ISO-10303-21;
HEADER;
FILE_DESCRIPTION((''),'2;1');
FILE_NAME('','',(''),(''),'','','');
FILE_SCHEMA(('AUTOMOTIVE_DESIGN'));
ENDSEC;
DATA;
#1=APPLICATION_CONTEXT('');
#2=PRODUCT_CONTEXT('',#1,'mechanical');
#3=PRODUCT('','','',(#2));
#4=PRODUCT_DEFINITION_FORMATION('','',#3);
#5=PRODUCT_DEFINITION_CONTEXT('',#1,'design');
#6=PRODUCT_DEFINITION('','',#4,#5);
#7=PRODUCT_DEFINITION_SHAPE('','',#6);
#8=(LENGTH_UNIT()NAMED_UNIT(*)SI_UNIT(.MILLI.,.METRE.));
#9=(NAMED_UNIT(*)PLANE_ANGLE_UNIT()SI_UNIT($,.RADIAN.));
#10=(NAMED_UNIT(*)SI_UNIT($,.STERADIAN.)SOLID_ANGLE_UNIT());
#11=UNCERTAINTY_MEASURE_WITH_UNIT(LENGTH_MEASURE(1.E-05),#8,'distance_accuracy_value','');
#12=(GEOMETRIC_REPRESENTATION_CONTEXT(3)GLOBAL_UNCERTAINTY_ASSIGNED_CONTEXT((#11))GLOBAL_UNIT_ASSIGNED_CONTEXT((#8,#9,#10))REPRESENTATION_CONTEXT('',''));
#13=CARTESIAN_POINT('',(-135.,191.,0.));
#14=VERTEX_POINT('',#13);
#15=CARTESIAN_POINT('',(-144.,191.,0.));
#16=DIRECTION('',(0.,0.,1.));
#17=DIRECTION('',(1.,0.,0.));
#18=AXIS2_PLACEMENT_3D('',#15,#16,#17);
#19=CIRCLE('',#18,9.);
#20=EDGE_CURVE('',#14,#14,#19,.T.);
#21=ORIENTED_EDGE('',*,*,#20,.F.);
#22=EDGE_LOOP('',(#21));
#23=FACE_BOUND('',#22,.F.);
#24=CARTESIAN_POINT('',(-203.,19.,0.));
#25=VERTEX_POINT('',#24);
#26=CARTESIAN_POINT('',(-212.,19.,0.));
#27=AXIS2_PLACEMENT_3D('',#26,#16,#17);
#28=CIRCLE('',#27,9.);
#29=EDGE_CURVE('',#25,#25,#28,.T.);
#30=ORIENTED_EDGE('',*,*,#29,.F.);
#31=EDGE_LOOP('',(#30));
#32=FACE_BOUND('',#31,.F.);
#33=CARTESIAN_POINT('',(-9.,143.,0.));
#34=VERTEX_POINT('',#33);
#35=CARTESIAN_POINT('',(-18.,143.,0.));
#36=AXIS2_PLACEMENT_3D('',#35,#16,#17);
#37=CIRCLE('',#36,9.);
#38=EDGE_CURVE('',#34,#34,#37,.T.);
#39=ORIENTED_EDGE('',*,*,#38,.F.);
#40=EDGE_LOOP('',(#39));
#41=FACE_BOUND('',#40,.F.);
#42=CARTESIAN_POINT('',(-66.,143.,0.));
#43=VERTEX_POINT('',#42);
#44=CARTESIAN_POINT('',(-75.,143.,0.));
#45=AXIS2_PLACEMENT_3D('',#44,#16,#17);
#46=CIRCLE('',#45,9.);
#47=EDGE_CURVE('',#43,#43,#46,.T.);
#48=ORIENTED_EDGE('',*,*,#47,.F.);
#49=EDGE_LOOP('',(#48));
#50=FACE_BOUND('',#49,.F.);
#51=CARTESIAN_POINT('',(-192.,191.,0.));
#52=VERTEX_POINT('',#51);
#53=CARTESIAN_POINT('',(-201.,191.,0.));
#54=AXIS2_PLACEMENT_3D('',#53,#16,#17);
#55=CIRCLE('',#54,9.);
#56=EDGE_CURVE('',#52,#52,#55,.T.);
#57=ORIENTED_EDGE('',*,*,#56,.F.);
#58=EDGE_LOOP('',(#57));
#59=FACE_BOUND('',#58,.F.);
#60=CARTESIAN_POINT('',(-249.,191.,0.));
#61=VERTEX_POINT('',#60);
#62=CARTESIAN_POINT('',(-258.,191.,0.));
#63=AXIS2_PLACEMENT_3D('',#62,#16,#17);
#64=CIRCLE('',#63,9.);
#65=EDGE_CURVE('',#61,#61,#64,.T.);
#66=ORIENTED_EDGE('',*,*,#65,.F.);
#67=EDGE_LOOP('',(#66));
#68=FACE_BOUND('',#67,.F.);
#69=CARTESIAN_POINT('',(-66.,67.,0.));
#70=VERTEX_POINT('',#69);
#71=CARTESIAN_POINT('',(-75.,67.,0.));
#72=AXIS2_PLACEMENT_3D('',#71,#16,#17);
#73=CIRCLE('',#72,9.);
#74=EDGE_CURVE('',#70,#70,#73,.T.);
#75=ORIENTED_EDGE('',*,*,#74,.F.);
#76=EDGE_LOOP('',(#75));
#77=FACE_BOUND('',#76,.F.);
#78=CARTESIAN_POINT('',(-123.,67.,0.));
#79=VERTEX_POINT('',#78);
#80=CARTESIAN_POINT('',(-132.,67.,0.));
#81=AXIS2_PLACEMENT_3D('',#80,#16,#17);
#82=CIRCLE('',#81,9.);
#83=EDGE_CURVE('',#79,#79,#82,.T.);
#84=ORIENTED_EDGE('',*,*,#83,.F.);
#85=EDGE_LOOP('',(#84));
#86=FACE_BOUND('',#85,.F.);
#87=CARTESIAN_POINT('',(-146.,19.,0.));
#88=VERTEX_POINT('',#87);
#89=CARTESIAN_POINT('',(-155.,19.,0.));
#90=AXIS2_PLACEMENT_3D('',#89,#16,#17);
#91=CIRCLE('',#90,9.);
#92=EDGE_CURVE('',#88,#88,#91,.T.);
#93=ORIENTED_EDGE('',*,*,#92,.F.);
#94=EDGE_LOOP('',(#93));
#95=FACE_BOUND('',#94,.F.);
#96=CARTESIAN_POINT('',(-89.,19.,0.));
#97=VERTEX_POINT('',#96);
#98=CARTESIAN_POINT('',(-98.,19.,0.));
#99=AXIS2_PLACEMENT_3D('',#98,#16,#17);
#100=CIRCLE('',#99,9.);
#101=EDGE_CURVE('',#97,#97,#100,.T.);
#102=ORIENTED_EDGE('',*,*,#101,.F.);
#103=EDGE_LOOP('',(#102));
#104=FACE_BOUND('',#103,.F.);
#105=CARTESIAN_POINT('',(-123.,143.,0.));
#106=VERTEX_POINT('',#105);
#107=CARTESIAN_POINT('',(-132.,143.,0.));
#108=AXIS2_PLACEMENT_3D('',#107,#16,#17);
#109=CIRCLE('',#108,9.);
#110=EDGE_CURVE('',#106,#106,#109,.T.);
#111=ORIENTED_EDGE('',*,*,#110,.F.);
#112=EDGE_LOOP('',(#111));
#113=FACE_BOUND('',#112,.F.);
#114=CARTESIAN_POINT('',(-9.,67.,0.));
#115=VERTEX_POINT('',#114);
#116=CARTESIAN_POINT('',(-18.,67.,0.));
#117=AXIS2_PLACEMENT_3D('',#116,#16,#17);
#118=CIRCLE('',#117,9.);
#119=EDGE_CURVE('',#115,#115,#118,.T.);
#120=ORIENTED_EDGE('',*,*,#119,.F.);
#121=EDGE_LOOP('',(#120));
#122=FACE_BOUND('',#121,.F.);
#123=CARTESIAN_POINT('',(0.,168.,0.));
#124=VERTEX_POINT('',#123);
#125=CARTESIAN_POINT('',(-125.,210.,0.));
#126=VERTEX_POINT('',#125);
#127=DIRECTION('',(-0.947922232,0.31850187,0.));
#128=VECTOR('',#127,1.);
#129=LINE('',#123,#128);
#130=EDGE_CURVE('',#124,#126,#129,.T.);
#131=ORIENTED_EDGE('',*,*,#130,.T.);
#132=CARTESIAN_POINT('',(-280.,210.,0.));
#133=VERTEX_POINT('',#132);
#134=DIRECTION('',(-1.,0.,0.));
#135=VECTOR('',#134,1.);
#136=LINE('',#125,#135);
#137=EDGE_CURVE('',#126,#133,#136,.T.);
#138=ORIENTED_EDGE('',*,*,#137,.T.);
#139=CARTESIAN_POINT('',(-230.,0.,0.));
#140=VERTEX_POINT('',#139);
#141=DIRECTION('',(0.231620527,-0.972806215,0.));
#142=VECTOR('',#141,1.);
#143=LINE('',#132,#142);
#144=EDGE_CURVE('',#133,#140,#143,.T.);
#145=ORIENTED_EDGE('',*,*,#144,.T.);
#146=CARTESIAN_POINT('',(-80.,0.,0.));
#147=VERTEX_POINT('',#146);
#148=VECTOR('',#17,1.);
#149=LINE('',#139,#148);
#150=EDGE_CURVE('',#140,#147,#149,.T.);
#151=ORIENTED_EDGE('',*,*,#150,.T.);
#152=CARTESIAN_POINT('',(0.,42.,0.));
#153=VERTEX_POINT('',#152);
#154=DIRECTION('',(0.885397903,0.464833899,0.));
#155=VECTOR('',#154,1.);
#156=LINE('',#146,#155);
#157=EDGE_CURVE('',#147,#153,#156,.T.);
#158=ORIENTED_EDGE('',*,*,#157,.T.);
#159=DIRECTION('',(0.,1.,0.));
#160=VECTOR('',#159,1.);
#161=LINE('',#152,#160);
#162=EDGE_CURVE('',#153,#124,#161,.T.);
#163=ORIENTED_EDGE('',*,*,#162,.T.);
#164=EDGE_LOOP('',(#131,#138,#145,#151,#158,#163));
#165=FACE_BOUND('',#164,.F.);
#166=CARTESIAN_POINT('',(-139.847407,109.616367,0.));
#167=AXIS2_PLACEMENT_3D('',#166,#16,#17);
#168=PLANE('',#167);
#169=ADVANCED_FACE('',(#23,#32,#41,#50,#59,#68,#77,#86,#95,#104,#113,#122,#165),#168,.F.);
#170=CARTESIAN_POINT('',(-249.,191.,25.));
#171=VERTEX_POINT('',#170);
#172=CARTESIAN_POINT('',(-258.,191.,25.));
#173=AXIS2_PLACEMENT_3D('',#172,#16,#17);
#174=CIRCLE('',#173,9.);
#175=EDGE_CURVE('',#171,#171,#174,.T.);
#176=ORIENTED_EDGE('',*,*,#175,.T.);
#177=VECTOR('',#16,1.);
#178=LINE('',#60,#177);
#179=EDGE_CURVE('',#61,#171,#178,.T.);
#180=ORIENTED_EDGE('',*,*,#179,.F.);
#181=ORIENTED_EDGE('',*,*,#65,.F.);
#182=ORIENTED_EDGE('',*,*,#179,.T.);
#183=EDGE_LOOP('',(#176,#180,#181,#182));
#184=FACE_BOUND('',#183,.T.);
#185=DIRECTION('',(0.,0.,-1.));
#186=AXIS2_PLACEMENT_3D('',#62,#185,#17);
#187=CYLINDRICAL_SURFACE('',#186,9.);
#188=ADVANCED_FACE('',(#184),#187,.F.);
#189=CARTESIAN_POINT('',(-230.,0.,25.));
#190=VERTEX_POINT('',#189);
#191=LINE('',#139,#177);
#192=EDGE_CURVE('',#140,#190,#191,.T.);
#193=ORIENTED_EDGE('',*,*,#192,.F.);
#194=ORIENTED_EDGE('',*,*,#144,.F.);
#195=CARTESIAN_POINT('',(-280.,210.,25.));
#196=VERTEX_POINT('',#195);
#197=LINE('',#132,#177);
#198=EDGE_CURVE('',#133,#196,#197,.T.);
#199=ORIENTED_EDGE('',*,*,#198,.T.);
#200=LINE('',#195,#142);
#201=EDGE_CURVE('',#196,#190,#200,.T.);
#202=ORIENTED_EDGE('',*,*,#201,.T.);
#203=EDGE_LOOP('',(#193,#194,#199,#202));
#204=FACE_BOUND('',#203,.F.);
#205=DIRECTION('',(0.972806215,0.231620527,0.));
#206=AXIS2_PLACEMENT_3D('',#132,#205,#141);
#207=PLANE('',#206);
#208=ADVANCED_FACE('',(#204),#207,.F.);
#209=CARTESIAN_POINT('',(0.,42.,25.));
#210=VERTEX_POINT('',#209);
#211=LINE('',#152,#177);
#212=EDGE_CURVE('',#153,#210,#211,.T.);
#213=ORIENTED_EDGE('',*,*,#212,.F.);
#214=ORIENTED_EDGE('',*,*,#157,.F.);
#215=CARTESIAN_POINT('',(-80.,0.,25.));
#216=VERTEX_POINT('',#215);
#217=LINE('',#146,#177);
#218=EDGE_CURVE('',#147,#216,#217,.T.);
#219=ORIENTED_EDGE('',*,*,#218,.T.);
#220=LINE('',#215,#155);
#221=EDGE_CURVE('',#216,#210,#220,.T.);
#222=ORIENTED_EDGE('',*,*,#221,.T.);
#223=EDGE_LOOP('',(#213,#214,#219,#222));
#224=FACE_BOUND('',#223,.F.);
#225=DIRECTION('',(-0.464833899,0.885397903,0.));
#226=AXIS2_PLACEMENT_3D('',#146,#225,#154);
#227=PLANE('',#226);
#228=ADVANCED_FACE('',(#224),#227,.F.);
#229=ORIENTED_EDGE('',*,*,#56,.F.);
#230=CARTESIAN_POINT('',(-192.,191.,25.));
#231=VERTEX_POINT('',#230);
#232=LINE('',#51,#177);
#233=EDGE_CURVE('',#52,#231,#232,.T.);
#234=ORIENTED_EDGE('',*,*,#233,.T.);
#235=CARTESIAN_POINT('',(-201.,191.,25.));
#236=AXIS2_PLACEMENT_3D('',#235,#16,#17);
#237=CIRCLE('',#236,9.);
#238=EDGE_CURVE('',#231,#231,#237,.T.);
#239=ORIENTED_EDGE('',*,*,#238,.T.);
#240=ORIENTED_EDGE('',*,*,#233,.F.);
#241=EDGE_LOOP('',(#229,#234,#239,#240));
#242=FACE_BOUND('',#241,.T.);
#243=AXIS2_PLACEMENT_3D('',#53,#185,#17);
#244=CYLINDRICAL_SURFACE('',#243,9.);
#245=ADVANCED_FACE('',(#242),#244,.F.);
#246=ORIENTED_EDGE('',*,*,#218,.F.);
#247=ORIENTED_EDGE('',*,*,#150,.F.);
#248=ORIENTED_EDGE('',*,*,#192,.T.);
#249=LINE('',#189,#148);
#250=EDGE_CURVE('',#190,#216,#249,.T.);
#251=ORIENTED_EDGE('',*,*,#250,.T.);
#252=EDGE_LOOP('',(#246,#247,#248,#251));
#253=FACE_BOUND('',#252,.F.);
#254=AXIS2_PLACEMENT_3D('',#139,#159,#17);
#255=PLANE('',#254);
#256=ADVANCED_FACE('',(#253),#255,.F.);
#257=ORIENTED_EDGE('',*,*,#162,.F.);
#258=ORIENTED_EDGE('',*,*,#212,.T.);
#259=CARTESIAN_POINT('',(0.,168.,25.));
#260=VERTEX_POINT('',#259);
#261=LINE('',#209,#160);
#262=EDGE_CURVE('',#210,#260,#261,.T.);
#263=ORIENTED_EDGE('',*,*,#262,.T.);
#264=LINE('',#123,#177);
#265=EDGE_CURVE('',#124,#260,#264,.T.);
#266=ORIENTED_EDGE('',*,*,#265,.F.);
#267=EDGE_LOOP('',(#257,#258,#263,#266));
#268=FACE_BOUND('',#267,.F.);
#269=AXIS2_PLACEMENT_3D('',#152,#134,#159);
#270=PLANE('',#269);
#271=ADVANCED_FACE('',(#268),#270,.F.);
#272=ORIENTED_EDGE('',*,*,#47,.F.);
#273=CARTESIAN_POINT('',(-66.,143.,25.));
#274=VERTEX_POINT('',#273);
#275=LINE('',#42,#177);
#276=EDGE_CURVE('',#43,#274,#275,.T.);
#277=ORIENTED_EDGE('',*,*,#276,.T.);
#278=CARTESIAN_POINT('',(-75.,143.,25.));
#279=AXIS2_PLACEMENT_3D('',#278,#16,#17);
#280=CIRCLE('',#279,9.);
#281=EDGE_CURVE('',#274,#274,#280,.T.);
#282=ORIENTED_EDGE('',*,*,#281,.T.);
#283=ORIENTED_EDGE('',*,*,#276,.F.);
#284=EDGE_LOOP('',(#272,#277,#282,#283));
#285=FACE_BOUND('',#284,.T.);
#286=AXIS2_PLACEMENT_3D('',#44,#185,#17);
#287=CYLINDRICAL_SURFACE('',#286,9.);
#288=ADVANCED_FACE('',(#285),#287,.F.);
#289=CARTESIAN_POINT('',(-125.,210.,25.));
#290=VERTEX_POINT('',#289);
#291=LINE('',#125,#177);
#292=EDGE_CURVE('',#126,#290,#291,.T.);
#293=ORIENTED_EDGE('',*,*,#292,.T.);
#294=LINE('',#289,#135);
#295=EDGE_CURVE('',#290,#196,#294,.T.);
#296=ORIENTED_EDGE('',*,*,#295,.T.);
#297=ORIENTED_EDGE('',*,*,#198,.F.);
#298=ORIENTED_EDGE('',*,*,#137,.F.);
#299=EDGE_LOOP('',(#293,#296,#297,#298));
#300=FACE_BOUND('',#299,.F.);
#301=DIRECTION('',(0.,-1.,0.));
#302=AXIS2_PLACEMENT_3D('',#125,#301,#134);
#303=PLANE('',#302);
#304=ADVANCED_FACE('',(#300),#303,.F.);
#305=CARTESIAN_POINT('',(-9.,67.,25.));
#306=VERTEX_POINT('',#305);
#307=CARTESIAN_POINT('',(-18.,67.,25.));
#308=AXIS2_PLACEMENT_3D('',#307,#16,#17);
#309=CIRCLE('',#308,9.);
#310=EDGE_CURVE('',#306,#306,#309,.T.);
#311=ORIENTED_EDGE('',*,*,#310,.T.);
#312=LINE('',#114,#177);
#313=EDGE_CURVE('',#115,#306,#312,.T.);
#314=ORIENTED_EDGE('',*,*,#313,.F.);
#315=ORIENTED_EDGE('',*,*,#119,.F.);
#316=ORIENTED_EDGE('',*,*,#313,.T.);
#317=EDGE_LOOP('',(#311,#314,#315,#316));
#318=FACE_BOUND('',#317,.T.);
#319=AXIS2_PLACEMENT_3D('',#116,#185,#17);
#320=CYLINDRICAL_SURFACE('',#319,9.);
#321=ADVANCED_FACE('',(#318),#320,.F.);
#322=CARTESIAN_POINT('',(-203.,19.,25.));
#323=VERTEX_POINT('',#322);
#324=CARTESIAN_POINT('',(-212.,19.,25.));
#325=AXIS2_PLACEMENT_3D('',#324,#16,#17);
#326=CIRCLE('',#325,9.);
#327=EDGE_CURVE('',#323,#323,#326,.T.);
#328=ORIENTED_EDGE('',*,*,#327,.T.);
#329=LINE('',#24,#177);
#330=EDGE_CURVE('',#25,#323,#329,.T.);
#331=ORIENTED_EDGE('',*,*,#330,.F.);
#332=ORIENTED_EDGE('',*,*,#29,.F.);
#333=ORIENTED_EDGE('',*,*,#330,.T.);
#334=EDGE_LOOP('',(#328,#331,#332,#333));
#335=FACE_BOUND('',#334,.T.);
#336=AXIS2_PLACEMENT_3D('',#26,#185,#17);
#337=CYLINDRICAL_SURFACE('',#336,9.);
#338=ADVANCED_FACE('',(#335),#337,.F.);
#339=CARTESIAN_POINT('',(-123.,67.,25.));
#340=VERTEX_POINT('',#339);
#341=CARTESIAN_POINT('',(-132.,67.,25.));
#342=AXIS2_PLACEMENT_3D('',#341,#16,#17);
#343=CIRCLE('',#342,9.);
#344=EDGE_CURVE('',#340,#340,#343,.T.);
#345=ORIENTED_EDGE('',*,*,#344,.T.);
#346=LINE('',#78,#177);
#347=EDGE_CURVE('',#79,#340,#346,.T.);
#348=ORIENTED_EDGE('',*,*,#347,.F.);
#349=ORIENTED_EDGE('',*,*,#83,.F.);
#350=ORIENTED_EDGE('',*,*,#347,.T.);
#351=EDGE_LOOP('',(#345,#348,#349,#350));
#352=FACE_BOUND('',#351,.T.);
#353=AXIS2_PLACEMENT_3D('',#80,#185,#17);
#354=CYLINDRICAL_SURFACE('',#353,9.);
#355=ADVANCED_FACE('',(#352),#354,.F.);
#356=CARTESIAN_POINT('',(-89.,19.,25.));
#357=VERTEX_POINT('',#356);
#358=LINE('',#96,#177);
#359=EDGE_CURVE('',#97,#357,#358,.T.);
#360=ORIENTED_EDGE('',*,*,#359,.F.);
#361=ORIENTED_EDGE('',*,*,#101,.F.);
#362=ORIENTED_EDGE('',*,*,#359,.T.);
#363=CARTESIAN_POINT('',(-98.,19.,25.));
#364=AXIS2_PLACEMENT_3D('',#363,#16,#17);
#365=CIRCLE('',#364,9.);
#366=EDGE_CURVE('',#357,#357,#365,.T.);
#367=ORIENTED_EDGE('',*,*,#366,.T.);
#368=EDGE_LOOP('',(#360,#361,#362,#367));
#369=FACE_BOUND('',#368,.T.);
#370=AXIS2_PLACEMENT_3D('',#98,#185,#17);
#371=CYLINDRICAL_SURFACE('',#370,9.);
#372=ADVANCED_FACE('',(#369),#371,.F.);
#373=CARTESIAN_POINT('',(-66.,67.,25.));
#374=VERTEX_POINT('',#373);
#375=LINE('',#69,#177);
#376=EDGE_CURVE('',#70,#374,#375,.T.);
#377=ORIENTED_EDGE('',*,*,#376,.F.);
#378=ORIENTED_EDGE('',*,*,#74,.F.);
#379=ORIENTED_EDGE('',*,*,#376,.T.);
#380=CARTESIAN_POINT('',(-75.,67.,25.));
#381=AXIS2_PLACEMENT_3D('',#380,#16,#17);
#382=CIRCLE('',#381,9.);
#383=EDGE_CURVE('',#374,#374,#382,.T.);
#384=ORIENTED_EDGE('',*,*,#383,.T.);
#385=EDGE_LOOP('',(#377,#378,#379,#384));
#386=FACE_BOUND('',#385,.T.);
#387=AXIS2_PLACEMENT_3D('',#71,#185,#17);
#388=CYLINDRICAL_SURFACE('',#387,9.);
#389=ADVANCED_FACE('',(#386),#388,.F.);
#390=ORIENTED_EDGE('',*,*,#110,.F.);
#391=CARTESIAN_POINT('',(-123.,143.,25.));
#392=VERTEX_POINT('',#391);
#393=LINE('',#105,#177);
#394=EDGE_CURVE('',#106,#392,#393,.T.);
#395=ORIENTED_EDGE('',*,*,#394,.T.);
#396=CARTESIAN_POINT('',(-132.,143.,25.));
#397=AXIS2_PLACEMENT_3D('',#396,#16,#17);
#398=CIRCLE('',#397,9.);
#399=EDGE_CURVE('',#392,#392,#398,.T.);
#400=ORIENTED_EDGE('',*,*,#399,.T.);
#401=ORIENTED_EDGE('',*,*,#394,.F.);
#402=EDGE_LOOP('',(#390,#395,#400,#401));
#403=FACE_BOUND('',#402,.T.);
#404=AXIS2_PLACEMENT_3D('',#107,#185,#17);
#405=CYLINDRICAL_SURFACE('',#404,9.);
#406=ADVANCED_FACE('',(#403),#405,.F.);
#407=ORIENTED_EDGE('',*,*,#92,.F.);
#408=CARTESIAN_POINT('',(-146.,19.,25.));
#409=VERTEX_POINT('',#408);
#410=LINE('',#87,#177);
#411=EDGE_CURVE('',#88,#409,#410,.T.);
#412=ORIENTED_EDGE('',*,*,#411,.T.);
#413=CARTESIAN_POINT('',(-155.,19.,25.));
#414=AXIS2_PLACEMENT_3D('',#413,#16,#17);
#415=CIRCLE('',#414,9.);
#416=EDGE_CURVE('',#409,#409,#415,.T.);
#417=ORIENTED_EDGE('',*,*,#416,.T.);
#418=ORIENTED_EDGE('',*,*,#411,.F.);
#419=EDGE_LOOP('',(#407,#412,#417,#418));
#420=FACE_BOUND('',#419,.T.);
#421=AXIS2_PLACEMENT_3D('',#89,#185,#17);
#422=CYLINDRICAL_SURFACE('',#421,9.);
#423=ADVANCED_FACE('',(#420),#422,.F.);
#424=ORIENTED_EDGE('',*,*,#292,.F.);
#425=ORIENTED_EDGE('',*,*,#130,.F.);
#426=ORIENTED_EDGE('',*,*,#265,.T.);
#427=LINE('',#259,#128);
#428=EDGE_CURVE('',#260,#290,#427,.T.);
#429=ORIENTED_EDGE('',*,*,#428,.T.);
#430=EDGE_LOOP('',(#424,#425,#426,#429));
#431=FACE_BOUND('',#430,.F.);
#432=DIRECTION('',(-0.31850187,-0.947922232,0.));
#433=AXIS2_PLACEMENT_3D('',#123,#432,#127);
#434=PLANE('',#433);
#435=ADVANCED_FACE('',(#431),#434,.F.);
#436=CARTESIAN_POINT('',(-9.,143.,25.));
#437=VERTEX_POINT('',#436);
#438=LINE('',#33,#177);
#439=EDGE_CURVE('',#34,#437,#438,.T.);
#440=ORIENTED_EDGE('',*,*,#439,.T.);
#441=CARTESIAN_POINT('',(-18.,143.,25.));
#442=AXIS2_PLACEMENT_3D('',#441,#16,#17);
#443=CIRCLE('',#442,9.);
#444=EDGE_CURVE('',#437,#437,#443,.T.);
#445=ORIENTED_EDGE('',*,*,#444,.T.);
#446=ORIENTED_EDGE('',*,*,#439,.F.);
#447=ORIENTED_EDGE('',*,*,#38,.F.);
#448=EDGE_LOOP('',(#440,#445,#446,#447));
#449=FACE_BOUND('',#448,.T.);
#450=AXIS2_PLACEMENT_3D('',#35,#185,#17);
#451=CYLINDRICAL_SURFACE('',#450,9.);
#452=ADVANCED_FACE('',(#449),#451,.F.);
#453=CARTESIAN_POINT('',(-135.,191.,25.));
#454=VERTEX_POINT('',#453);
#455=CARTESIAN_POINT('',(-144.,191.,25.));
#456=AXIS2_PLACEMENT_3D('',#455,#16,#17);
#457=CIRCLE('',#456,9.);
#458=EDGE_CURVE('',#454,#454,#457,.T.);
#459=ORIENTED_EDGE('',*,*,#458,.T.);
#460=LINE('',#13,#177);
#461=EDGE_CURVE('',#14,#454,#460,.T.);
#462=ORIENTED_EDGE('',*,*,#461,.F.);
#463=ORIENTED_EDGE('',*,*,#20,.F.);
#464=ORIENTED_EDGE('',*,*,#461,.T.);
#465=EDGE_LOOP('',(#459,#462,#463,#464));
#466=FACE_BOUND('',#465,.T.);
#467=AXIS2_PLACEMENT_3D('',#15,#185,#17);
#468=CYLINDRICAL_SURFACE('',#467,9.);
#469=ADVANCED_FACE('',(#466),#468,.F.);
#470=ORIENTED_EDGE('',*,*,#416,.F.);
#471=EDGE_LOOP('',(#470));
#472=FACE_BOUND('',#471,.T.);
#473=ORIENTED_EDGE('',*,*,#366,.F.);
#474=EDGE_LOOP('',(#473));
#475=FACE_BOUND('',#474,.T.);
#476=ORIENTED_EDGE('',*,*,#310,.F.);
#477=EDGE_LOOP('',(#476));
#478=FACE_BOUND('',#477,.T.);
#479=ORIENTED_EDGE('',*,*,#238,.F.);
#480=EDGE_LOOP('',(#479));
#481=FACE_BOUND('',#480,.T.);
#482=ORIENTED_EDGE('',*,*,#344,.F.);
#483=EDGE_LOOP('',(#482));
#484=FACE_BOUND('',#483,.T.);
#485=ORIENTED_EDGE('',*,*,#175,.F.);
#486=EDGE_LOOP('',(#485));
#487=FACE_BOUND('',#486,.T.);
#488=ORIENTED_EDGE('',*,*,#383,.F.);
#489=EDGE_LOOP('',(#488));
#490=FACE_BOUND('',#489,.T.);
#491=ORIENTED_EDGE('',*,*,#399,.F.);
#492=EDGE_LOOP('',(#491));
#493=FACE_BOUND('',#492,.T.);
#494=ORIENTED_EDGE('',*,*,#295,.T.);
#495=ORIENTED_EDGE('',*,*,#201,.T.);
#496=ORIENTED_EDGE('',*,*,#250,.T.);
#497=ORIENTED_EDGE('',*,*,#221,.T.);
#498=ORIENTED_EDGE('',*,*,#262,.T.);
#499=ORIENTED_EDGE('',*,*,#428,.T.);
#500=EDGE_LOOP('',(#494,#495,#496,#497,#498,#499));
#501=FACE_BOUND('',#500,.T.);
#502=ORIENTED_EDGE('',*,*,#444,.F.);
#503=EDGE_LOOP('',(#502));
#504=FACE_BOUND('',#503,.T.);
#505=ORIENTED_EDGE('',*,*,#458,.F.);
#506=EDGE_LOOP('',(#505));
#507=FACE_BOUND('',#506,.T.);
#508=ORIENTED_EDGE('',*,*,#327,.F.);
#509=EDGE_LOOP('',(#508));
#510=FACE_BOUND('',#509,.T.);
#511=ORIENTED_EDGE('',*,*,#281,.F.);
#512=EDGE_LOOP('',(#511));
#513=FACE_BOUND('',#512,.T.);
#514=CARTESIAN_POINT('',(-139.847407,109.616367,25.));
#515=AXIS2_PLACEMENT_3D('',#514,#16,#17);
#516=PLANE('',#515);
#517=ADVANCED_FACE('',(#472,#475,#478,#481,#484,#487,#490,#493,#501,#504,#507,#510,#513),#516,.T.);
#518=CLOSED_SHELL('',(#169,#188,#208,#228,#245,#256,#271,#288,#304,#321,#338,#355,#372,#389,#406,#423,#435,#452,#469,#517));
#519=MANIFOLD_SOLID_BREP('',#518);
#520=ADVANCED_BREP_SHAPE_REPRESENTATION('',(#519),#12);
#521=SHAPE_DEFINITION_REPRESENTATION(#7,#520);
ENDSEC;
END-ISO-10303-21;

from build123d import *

# Parameters (mm, degrees)
F0_R     = 9
F1_DEPTH = 25


with BuildPart() as f1:
    # F0 (on Top) → F1 (new body)
    with BuildSketch(Plane.XY):
        Polygon((-230, 0), (-80, 0), (0, 42), (0, 168), (-125, 210), (-280, 210), align=None)
        with Locations((-212, 19)):
            Circle(F0_R, mode=Mode.SUBTRACT)
        with Locations((-155, 19)):
            Circle(F0_R, mode=Mode.SUBTRACT)
        with Locations((-98, 19)):
            Circle(F0_R, mode=Mode.SUBTRACT)
        with Locations((-132, 67)):
            Circle(F0_R, mode=Mode.SUBTRACT)
        with Locations((-75, 67)):
            Circle(F0_R, mode=Mode.SUBTRACT)
        with Locations((-18, 67)):
            Circle(F0_R, mode=Mode.SUBTRACT)
        with Locations((-258, 191)):
            Circle(F0_R, mode=Mode.SUBTRACT)
        with Locations((-201, 191)):
            Circle(F0_R, mode=Mode.SUBTRACT)
        with Locations((-144, 191)):
            Circle(F0_R, mode=Mode.SUBTRACT)
        with Locations((-132, 143)):
            Circle(F0_R, mode=Mode.SUBTRACT)
        with Locations((-75, 143)):
            Circle(F0_R, mode=Mode.SUBTRACT)
        with Locations((-18, 143)):
            Circle(F0_R, mode=Mode.SUBTRACT)
    extrude(amount=F1_DEPTH)


solid = f1.part
